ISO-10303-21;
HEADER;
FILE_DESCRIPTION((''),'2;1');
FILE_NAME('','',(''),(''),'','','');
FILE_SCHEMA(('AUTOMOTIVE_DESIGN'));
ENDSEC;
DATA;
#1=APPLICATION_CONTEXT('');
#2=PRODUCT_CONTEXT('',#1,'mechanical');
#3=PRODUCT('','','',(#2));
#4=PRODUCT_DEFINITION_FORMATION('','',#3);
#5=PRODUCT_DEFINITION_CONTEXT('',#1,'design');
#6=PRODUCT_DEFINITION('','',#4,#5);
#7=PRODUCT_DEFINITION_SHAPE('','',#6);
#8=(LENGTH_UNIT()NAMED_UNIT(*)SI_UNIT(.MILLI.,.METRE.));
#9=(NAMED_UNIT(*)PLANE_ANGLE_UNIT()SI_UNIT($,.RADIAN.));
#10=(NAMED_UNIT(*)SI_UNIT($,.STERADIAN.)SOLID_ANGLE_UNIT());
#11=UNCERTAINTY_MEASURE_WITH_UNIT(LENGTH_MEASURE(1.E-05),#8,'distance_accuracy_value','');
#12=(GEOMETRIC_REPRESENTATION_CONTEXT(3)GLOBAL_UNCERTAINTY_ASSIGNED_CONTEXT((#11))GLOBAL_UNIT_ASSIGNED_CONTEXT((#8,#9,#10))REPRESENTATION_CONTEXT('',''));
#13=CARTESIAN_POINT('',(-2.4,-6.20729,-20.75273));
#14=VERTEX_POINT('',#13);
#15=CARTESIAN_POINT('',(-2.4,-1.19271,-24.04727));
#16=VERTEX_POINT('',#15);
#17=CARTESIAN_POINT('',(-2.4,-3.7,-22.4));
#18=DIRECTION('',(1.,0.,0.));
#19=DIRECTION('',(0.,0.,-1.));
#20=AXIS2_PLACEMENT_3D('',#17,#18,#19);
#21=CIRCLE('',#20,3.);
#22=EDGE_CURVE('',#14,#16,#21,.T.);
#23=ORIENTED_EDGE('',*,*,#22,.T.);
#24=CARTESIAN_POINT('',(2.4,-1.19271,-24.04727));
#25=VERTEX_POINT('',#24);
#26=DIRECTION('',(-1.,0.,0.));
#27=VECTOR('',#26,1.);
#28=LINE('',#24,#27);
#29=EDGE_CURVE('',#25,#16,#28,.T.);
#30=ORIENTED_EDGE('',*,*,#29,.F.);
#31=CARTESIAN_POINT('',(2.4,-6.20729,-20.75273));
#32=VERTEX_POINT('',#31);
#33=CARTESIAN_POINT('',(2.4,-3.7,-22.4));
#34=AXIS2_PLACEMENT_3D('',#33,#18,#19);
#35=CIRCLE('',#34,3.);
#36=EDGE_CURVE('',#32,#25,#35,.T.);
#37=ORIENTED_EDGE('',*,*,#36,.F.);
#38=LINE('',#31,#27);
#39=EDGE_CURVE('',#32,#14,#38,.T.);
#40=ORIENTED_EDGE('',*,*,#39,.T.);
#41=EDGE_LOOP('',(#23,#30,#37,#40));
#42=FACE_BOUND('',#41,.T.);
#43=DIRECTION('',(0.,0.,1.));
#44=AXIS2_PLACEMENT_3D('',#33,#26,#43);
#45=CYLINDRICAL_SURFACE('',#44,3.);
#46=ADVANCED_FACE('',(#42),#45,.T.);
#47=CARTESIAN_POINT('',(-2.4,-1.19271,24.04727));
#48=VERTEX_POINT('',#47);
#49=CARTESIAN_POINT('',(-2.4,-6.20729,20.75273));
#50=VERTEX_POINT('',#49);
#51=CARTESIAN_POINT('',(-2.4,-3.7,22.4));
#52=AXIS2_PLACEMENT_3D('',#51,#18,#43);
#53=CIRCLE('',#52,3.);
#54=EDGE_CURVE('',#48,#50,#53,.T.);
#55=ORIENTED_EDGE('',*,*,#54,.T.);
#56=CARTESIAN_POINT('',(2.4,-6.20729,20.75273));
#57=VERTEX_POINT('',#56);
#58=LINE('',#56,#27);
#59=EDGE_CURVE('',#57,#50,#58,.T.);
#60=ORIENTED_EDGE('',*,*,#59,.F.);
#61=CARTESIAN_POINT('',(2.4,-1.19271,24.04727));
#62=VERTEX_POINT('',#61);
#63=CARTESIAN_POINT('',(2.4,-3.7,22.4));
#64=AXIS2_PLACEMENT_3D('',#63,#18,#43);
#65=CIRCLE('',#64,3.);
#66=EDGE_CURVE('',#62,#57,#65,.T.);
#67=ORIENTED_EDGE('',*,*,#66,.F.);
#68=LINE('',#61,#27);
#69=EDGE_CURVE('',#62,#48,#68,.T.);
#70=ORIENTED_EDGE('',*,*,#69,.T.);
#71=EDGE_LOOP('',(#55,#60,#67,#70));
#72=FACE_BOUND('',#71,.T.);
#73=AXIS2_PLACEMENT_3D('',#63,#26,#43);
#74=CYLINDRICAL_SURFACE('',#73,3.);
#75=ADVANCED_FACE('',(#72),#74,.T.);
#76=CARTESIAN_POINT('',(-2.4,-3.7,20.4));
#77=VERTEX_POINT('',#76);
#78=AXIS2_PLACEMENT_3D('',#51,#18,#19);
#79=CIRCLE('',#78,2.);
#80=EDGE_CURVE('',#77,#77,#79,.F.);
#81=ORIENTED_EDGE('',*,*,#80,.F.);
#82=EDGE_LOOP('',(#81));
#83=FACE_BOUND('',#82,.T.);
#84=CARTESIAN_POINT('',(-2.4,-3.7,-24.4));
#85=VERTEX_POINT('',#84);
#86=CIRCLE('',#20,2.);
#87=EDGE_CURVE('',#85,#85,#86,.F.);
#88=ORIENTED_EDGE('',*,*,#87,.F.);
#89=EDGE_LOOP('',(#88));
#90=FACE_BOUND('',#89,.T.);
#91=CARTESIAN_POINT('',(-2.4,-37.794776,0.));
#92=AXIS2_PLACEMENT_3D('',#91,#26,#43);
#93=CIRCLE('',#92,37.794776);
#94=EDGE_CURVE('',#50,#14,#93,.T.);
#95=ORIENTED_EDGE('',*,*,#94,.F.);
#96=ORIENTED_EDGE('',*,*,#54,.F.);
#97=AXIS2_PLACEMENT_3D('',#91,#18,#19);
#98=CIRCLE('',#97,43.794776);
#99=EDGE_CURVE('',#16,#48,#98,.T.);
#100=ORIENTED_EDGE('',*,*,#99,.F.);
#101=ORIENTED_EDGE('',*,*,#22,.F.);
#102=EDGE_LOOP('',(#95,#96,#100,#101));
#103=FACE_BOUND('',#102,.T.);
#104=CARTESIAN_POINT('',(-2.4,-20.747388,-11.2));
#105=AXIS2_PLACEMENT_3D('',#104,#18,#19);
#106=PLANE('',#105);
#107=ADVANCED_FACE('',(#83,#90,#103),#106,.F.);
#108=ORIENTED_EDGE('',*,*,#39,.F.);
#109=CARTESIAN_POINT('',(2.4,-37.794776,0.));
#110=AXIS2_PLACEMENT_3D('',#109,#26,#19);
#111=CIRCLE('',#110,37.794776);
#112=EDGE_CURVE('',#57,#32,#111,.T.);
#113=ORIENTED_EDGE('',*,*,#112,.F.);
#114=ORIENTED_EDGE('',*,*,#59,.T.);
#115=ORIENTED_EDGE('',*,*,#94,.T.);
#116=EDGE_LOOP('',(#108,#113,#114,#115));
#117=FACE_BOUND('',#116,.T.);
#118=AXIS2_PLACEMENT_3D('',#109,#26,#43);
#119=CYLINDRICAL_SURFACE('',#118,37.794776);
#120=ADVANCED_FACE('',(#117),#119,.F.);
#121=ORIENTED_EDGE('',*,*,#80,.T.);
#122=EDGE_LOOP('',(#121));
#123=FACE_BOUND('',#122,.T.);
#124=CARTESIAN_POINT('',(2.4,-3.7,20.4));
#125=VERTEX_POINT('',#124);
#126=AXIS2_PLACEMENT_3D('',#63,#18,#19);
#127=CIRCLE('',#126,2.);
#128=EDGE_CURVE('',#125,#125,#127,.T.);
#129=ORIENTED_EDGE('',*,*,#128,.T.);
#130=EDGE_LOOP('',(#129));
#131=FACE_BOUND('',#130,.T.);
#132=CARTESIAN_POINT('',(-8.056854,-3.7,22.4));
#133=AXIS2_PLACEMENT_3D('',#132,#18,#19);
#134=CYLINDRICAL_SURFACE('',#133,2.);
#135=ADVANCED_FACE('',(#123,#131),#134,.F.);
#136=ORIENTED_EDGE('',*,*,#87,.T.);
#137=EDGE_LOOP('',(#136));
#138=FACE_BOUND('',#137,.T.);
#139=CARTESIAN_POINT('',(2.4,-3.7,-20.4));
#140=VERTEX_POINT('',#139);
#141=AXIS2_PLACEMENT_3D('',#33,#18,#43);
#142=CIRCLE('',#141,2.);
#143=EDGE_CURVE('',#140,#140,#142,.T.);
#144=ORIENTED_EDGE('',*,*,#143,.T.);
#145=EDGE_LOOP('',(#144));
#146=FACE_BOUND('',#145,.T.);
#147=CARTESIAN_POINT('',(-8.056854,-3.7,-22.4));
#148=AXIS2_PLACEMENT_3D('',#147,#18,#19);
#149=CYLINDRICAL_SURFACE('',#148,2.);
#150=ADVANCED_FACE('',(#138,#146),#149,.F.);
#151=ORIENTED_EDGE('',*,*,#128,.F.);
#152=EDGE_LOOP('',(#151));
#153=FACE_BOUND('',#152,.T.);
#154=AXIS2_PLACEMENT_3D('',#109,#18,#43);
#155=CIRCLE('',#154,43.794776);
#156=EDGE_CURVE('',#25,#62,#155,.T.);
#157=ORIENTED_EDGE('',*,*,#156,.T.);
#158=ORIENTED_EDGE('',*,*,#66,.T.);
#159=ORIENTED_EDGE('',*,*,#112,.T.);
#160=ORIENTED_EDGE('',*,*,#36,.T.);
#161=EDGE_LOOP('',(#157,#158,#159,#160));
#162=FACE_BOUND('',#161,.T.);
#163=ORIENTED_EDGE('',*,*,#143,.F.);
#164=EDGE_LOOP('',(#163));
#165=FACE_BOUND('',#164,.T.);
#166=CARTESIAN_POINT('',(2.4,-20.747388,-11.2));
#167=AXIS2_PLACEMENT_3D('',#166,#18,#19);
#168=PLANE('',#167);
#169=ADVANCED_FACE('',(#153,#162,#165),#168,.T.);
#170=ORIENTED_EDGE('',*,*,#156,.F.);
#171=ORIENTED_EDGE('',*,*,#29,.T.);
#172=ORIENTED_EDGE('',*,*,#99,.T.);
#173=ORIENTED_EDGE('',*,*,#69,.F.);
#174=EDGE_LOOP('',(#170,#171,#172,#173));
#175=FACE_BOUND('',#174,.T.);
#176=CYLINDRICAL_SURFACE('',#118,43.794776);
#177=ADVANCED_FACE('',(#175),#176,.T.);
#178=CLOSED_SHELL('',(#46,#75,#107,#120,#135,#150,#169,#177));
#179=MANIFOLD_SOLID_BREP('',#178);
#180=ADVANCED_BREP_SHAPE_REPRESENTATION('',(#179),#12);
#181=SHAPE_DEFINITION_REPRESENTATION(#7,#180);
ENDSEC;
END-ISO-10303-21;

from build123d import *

# Parameters (mm, degrees)
BOSS_EXTRUDE1_DEPTH = 2.399999953
SKETCH2_R           = 2
CUT_EXTRUDE1_DEPTH  = 4.8


with BuildPart() as part:
    # Sketch1 → Boss-Extrude1 (new body, symmetric)
    with BuildSketch(Plane(origin=(0, 0, 0), x_dir=(0, 0, -1), z_dir=(1, 0, 0))):
        with BuildLine():
            ThreePointArc((0, 0), (10.830584713, -1.585060066), (20.752730266, -6.207289856))
            ThreePointArc((20.752730266, -6.207289856), (24.907289856, -5.347269734), (24.047269734, -1.192710144))
            ThreePointArc((24.047269734, -1.192710144), (12.549962758, 4.163308324), (0, 6))
            ThreePointArc((0, 6), (-12.549962758, 4.163308324), (-24.047269734, -1.192710144))
            ThreePointArc((-24.047269734, -1.192710144), (-24.907289856, -5.347269734), (-20.752730266, -6.207289856))
            ThreePointArc((-20.752730266, -6.207289856), (-10.830584713, -1.585060066), (0, 0))
        make_face()
    extrude(amount=BOSS_EXTRUDE1_DEPTH, both=True)

    # Sketch2 → Cut-Extrude1 (cut)
    with BuildSketch(Plane(origin=(2.399999953, 0, 0), x_dir=(0, 0, -1), z_dir=(1, 0, 0))):
        with Locations((-22.4, -3.7)):
            Circle(SKETCH2_R)
        with Locations((22.4, -3.7)):
            Circle(SKETCH2_R)
    extrude(amount=-CUT_EXTRUDE1_DEPTH, mode=Mode.SUBTRACT)


solid = part.part
